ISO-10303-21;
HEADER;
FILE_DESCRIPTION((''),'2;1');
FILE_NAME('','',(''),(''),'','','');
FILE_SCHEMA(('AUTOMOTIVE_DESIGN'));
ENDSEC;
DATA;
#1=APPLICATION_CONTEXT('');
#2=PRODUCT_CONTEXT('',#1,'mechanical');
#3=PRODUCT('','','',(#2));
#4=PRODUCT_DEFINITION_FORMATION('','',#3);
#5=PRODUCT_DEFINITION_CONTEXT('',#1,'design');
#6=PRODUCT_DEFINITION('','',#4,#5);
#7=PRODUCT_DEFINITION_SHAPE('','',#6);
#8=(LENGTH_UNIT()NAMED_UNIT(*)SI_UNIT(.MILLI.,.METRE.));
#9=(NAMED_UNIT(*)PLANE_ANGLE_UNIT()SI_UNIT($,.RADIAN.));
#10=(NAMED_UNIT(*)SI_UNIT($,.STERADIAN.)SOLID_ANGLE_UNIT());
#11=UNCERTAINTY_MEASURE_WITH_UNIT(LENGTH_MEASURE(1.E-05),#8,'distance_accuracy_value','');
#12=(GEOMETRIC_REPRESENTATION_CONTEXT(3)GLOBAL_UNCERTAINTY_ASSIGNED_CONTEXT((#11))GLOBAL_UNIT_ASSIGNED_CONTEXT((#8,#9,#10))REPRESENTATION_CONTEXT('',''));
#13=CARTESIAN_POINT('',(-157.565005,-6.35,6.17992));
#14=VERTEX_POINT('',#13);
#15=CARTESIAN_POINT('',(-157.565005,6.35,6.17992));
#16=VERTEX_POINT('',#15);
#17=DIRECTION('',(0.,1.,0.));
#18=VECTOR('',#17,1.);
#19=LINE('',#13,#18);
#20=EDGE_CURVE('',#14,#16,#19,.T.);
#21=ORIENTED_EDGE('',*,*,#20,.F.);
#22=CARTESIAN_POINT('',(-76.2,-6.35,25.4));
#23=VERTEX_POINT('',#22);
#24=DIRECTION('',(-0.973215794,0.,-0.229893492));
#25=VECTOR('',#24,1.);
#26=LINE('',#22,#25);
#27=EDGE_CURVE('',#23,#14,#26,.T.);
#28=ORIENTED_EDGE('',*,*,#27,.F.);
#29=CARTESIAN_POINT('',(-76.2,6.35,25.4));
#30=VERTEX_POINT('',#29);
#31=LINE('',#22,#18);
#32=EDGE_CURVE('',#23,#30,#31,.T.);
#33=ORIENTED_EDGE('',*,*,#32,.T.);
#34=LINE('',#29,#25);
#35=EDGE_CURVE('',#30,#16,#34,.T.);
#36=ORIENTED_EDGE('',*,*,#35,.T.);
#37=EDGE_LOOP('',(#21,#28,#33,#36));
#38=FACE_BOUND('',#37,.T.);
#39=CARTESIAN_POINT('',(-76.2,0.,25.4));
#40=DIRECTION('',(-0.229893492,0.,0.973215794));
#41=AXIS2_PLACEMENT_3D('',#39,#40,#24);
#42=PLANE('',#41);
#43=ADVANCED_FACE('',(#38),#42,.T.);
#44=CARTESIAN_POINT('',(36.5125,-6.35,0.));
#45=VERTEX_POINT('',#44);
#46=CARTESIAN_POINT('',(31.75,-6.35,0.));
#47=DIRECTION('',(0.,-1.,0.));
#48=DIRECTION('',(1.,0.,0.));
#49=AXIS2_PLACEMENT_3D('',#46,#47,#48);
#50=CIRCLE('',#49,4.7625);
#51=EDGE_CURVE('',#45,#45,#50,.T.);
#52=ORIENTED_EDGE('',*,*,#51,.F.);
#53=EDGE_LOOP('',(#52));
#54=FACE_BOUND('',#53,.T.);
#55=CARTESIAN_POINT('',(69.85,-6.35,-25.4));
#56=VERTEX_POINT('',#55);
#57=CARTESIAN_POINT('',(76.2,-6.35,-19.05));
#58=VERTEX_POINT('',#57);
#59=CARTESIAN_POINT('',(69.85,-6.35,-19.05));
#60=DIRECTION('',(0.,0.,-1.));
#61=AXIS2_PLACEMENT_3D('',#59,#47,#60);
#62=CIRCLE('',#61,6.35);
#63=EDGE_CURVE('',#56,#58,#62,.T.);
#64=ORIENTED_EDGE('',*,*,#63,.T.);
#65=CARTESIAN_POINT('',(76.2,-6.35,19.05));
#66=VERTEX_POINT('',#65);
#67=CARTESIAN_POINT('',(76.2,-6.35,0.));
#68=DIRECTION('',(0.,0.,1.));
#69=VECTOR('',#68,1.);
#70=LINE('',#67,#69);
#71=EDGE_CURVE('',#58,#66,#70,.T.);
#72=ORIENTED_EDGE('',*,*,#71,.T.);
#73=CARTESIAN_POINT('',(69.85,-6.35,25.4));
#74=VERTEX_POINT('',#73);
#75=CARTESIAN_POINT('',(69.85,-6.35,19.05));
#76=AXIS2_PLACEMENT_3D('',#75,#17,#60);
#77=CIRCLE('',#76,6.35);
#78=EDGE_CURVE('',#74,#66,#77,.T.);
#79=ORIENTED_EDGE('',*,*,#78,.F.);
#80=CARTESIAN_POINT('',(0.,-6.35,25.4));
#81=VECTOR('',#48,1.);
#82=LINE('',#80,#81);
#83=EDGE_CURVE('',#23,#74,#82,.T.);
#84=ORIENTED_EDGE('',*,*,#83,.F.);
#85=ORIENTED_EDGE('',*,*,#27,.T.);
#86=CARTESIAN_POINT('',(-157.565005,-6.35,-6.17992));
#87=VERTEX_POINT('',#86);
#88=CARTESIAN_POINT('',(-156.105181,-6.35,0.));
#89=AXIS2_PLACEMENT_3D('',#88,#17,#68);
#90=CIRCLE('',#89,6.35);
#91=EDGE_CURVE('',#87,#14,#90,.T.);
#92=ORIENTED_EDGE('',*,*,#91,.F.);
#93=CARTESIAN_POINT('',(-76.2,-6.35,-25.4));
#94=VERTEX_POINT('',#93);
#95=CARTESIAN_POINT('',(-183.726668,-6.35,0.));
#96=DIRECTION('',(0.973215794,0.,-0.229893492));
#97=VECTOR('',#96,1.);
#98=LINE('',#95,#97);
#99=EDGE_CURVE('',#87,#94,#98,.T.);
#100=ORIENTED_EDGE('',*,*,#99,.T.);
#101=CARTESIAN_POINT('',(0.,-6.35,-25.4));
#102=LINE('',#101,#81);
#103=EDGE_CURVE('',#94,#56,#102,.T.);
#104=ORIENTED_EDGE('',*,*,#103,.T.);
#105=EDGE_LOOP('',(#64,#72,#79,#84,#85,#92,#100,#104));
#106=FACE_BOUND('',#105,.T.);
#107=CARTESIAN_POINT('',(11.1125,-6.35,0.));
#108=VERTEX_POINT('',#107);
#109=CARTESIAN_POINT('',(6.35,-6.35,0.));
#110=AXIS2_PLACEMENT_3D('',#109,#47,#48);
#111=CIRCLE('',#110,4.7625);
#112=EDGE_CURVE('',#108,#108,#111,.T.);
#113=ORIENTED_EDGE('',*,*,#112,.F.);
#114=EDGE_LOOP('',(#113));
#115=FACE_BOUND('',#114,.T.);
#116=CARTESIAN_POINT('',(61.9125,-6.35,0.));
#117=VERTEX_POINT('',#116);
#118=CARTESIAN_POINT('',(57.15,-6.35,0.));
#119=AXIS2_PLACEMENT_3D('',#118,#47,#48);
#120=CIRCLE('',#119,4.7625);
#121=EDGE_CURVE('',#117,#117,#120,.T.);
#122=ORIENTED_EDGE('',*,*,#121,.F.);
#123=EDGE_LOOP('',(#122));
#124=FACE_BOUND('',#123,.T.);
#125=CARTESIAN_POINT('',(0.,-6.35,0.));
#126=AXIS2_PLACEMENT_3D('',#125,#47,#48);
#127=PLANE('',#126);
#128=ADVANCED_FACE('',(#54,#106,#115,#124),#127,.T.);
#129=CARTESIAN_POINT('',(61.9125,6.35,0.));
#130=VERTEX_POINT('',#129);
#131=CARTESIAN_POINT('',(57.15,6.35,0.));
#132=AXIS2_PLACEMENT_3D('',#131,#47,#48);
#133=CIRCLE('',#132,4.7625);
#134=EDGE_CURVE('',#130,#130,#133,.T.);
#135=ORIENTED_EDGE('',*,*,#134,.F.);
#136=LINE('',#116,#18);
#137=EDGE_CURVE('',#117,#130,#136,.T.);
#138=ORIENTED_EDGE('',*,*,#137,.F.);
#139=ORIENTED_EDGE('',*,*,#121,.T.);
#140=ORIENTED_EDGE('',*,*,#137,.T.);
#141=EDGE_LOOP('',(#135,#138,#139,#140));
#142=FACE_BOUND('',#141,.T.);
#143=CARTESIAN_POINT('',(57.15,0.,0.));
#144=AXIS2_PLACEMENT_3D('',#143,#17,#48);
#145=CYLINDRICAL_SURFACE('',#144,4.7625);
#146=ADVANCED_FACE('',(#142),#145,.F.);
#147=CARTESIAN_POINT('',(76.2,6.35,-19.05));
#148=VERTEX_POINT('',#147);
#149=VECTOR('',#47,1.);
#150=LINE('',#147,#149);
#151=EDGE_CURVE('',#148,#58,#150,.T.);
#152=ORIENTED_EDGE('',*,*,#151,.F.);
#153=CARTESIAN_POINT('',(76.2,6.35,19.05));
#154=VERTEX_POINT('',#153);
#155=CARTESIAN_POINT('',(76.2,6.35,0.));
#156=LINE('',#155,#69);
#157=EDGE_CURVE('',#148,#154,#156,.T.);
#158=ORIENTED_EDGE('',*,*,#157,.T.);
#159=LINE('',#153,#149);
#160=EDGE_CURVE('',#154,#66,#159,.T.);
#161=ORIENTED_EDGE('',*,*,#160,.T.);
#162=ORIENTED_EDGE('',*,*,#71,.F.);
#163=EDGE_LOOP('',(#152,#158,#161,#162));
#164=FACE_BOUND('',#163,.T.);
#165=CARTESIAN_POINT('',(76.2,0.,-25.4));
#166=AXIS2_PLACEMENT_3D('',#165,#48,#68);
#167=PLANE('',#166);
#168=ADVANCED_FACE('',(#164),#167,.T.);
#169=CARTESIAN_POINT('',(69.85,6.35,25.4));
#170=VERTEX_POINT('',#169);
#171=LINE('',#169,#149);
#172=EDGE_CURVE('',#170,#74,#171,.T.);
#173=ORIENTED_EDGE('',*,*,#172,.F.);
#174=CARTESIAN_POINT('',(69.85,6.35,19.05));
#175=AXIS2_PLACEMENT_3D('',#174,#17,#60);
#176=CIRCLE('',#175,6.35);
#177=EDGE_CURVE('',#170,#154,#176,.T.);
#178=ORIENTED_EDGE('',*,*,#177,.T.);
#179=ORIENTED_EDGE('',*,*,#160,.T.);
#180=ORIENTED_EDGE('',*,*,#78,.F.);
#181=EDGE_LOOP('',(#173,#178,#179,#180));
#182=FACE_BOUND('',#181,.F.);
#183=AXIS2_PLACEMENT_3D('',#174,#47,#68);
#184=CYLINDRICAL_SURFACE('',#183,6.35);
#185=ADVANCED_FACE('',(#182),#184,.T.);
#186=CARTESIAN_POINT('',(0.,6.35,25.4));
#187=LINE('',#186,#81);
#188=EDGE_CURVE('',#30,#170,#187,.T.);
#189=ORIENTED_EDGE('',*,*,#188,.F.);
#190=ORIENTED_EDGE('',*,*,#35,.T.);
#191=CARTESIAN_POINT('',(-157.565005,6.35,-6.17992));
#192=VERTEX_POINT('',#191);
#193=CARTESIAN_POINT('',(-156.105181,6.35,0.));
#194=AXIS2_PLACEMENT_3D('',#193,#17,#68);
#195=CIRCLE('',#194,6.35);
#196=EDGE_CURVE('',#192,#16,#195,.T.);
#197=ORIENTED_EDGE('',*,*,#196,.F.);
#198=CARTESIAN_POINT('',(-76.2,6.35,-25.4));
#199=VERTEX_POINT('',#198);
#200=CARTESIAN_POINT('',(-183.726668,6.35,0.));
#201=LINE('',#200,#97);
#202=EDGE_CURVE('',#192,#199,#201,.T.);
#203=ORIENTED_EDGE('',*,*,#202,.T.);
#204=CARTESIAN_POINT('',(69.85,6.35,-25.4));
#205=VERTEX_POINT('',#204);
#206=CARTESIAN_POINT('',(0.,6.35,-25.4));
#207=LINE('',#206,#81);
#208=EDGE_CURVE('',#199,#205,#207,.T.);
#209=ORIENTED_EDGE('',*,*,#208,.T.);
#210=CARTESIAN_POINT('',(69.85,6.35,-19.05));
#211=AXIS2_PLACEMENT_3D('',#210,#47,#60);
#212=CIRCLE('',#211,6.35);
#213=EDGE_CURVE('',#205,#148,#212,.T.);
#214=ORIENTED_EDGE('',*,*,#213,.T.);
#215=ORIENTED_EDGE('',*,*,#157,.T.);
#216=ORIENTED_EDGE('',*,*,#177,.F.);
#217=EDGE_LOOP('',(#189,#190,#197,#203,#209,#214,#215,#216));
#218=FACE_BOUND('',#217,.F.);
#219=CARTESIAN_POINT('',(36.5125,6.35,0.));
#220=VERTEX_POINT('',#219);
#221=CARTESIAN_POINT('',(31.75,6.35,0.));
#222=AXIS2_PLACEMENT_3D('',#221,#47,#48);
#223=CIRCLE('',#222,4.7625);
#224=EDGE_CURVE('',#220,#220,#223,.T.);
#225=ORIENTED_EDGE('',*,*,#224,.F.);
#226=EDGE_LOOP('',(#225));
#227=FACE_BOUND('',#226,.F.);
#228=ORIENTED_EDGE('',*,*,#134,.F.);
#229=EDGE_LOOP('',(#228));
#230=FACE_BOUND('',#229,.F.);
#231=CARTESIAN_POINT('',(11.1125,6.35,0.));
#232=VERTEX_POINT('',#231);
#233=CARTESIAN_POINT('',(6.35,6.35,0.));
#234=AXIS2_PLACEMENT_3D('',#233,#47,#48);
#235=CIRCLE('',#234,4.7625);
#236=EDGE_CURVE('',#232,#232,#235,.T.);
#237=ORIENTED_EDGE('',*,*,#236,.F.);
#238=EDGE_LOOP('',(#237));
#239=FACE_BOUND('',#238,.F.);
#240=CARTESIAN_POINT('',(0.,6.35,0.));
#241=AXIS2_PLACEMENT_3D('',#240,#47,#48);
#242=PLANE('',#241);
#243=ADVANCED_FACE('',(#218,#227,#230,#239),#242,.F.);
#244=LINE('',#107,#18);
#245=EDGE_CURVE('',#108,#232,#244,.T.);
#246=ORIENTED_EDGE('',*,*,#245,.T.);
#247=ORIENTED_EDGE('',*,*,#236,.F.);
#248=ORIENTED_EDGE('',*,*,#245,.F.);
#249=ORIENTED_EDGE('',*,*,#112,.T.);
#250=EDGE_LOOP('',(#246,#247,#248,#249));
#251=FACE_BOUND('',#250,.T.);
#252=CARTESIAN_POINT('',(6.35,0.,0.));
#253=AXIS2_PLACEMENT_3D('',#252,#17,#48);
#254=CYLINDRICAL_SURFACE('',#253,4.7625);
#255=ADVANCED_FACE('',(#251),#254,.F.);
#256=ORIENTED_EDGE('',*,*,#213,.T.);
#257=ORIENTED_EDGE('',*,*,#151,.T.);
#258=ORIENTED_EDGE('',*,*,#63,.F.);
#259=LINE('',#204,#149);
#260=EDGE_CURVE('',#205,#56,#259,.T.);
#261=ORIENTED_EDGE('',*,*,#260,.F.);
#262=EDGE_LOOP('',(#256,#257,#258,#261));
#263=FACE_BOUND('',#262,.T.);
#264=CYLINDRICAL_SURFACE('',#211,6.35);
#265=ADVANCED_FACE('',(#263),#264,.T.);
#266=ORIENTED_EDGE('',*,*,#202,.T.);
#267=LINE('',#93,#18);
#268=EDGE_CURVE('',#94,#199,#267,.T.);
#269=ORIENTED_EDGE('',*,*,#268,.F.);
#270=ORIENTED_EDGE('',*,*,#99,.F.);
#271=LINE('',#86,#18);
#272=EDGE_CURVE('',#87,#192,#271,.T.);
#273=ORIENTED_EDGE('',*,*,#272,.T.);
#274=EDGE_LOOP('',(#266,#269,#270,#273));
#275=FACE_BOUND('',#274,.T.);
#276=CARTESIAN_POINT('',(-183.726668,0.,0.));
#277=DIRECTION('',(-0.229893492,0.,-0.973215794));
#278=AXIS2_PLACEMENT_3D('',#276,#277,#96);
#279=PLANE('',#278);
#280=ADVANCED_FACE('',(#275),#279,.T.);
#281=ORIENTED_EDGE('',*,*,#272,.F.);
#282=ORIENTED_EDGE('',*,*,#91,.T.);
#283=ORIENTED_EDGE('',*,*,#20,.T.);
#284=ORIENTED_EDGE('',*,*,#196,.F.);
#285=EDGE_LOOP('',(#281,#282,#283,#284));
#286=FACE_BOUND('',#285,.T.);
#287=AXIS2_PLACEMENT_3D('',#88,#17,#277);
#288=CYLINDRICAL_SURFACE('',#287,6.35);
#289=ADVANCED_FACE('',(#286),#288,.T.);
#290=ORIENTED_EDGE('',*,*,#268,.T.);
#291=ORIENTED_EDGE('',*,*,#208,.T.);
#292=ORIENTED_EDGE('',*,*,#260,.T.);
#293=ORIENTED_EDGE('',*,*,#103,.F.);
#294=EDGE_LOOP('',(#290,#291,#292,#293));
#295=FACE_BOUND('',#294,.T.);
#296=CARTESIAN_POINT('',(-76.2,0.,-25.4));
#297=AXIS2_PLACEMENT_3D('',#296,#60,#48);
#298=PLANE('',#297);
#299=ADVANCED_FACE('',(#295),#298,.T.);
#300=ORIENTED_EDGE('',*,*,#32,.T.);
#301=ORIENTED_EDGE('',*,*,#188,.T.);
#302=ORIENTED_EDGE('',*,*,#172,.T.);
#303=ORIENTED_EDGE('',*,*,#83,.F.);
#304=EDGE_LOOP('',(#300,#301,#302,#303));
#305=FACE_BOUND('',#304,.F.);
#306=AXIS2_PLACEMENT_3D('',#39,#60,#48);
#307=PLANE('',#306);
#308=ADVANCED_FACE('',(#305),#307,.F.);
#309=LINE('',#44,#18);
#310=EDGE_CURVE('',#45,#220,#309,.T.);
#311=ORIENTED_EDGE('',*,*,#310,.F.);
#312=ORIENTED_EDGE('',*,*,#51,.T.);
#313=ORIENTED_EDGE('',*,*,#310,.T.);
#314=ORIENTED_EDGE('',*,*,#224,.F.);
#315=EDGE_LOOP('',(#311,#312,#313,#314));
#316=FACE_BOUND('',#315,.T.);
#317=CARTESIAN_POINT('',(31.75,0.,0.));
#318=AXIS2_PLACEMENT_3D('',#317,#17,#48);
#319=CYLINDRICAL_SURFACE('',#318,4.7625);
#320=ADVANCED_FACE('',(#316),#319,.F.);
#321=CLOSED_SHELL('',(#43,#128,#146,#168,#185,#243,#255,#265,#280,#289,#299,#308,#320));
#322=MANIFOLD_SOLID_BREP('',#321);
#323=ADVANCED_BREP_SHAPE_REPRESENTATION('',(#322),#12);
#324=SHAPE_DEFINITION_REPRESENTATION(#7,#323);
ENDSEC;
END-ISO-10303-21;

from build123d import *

# Parameters (mm, degrees)
F0_W     = 152.4
F0_H     = 50.8
F0_R     = 4.7625
F1_DEPTH = 6.35
F2_R     = 6.35


with BuildPart() as f1:
    # F0 (on Front) → F1 (new body, symmetric)
    with BuildSketch(Plane.XZ):
        Rectangle(F0_W, F0_H)
        with Locations((6.35, 0)):
            Circle(F0_R, mode=Mode.SUBTRACT)
        with Locations((31.75, 0)):
            Circle(F0_R, mode=Mode.SUBTRACT)
        with Locations((57.15, 0)):
            Circle(F0_R, mode=Mode.SUBTRACT)
        Polygon((-76.2, -25.4), (-76.2, 25.4), (-183.726668, 0), align=None)
    extrude(amount=F1_DEPTH, both=True)

    # F2
    f2_edges = [f1.edges().sort_by_distance(p)[0] for p in [
        (-183.726668, 0, 0),
        (76.2, 0, 25.4),
        (76.2, 0, -25.4),
    ]]
    fillet(f2_edges, radius=F2_R)


solid = f1.part
